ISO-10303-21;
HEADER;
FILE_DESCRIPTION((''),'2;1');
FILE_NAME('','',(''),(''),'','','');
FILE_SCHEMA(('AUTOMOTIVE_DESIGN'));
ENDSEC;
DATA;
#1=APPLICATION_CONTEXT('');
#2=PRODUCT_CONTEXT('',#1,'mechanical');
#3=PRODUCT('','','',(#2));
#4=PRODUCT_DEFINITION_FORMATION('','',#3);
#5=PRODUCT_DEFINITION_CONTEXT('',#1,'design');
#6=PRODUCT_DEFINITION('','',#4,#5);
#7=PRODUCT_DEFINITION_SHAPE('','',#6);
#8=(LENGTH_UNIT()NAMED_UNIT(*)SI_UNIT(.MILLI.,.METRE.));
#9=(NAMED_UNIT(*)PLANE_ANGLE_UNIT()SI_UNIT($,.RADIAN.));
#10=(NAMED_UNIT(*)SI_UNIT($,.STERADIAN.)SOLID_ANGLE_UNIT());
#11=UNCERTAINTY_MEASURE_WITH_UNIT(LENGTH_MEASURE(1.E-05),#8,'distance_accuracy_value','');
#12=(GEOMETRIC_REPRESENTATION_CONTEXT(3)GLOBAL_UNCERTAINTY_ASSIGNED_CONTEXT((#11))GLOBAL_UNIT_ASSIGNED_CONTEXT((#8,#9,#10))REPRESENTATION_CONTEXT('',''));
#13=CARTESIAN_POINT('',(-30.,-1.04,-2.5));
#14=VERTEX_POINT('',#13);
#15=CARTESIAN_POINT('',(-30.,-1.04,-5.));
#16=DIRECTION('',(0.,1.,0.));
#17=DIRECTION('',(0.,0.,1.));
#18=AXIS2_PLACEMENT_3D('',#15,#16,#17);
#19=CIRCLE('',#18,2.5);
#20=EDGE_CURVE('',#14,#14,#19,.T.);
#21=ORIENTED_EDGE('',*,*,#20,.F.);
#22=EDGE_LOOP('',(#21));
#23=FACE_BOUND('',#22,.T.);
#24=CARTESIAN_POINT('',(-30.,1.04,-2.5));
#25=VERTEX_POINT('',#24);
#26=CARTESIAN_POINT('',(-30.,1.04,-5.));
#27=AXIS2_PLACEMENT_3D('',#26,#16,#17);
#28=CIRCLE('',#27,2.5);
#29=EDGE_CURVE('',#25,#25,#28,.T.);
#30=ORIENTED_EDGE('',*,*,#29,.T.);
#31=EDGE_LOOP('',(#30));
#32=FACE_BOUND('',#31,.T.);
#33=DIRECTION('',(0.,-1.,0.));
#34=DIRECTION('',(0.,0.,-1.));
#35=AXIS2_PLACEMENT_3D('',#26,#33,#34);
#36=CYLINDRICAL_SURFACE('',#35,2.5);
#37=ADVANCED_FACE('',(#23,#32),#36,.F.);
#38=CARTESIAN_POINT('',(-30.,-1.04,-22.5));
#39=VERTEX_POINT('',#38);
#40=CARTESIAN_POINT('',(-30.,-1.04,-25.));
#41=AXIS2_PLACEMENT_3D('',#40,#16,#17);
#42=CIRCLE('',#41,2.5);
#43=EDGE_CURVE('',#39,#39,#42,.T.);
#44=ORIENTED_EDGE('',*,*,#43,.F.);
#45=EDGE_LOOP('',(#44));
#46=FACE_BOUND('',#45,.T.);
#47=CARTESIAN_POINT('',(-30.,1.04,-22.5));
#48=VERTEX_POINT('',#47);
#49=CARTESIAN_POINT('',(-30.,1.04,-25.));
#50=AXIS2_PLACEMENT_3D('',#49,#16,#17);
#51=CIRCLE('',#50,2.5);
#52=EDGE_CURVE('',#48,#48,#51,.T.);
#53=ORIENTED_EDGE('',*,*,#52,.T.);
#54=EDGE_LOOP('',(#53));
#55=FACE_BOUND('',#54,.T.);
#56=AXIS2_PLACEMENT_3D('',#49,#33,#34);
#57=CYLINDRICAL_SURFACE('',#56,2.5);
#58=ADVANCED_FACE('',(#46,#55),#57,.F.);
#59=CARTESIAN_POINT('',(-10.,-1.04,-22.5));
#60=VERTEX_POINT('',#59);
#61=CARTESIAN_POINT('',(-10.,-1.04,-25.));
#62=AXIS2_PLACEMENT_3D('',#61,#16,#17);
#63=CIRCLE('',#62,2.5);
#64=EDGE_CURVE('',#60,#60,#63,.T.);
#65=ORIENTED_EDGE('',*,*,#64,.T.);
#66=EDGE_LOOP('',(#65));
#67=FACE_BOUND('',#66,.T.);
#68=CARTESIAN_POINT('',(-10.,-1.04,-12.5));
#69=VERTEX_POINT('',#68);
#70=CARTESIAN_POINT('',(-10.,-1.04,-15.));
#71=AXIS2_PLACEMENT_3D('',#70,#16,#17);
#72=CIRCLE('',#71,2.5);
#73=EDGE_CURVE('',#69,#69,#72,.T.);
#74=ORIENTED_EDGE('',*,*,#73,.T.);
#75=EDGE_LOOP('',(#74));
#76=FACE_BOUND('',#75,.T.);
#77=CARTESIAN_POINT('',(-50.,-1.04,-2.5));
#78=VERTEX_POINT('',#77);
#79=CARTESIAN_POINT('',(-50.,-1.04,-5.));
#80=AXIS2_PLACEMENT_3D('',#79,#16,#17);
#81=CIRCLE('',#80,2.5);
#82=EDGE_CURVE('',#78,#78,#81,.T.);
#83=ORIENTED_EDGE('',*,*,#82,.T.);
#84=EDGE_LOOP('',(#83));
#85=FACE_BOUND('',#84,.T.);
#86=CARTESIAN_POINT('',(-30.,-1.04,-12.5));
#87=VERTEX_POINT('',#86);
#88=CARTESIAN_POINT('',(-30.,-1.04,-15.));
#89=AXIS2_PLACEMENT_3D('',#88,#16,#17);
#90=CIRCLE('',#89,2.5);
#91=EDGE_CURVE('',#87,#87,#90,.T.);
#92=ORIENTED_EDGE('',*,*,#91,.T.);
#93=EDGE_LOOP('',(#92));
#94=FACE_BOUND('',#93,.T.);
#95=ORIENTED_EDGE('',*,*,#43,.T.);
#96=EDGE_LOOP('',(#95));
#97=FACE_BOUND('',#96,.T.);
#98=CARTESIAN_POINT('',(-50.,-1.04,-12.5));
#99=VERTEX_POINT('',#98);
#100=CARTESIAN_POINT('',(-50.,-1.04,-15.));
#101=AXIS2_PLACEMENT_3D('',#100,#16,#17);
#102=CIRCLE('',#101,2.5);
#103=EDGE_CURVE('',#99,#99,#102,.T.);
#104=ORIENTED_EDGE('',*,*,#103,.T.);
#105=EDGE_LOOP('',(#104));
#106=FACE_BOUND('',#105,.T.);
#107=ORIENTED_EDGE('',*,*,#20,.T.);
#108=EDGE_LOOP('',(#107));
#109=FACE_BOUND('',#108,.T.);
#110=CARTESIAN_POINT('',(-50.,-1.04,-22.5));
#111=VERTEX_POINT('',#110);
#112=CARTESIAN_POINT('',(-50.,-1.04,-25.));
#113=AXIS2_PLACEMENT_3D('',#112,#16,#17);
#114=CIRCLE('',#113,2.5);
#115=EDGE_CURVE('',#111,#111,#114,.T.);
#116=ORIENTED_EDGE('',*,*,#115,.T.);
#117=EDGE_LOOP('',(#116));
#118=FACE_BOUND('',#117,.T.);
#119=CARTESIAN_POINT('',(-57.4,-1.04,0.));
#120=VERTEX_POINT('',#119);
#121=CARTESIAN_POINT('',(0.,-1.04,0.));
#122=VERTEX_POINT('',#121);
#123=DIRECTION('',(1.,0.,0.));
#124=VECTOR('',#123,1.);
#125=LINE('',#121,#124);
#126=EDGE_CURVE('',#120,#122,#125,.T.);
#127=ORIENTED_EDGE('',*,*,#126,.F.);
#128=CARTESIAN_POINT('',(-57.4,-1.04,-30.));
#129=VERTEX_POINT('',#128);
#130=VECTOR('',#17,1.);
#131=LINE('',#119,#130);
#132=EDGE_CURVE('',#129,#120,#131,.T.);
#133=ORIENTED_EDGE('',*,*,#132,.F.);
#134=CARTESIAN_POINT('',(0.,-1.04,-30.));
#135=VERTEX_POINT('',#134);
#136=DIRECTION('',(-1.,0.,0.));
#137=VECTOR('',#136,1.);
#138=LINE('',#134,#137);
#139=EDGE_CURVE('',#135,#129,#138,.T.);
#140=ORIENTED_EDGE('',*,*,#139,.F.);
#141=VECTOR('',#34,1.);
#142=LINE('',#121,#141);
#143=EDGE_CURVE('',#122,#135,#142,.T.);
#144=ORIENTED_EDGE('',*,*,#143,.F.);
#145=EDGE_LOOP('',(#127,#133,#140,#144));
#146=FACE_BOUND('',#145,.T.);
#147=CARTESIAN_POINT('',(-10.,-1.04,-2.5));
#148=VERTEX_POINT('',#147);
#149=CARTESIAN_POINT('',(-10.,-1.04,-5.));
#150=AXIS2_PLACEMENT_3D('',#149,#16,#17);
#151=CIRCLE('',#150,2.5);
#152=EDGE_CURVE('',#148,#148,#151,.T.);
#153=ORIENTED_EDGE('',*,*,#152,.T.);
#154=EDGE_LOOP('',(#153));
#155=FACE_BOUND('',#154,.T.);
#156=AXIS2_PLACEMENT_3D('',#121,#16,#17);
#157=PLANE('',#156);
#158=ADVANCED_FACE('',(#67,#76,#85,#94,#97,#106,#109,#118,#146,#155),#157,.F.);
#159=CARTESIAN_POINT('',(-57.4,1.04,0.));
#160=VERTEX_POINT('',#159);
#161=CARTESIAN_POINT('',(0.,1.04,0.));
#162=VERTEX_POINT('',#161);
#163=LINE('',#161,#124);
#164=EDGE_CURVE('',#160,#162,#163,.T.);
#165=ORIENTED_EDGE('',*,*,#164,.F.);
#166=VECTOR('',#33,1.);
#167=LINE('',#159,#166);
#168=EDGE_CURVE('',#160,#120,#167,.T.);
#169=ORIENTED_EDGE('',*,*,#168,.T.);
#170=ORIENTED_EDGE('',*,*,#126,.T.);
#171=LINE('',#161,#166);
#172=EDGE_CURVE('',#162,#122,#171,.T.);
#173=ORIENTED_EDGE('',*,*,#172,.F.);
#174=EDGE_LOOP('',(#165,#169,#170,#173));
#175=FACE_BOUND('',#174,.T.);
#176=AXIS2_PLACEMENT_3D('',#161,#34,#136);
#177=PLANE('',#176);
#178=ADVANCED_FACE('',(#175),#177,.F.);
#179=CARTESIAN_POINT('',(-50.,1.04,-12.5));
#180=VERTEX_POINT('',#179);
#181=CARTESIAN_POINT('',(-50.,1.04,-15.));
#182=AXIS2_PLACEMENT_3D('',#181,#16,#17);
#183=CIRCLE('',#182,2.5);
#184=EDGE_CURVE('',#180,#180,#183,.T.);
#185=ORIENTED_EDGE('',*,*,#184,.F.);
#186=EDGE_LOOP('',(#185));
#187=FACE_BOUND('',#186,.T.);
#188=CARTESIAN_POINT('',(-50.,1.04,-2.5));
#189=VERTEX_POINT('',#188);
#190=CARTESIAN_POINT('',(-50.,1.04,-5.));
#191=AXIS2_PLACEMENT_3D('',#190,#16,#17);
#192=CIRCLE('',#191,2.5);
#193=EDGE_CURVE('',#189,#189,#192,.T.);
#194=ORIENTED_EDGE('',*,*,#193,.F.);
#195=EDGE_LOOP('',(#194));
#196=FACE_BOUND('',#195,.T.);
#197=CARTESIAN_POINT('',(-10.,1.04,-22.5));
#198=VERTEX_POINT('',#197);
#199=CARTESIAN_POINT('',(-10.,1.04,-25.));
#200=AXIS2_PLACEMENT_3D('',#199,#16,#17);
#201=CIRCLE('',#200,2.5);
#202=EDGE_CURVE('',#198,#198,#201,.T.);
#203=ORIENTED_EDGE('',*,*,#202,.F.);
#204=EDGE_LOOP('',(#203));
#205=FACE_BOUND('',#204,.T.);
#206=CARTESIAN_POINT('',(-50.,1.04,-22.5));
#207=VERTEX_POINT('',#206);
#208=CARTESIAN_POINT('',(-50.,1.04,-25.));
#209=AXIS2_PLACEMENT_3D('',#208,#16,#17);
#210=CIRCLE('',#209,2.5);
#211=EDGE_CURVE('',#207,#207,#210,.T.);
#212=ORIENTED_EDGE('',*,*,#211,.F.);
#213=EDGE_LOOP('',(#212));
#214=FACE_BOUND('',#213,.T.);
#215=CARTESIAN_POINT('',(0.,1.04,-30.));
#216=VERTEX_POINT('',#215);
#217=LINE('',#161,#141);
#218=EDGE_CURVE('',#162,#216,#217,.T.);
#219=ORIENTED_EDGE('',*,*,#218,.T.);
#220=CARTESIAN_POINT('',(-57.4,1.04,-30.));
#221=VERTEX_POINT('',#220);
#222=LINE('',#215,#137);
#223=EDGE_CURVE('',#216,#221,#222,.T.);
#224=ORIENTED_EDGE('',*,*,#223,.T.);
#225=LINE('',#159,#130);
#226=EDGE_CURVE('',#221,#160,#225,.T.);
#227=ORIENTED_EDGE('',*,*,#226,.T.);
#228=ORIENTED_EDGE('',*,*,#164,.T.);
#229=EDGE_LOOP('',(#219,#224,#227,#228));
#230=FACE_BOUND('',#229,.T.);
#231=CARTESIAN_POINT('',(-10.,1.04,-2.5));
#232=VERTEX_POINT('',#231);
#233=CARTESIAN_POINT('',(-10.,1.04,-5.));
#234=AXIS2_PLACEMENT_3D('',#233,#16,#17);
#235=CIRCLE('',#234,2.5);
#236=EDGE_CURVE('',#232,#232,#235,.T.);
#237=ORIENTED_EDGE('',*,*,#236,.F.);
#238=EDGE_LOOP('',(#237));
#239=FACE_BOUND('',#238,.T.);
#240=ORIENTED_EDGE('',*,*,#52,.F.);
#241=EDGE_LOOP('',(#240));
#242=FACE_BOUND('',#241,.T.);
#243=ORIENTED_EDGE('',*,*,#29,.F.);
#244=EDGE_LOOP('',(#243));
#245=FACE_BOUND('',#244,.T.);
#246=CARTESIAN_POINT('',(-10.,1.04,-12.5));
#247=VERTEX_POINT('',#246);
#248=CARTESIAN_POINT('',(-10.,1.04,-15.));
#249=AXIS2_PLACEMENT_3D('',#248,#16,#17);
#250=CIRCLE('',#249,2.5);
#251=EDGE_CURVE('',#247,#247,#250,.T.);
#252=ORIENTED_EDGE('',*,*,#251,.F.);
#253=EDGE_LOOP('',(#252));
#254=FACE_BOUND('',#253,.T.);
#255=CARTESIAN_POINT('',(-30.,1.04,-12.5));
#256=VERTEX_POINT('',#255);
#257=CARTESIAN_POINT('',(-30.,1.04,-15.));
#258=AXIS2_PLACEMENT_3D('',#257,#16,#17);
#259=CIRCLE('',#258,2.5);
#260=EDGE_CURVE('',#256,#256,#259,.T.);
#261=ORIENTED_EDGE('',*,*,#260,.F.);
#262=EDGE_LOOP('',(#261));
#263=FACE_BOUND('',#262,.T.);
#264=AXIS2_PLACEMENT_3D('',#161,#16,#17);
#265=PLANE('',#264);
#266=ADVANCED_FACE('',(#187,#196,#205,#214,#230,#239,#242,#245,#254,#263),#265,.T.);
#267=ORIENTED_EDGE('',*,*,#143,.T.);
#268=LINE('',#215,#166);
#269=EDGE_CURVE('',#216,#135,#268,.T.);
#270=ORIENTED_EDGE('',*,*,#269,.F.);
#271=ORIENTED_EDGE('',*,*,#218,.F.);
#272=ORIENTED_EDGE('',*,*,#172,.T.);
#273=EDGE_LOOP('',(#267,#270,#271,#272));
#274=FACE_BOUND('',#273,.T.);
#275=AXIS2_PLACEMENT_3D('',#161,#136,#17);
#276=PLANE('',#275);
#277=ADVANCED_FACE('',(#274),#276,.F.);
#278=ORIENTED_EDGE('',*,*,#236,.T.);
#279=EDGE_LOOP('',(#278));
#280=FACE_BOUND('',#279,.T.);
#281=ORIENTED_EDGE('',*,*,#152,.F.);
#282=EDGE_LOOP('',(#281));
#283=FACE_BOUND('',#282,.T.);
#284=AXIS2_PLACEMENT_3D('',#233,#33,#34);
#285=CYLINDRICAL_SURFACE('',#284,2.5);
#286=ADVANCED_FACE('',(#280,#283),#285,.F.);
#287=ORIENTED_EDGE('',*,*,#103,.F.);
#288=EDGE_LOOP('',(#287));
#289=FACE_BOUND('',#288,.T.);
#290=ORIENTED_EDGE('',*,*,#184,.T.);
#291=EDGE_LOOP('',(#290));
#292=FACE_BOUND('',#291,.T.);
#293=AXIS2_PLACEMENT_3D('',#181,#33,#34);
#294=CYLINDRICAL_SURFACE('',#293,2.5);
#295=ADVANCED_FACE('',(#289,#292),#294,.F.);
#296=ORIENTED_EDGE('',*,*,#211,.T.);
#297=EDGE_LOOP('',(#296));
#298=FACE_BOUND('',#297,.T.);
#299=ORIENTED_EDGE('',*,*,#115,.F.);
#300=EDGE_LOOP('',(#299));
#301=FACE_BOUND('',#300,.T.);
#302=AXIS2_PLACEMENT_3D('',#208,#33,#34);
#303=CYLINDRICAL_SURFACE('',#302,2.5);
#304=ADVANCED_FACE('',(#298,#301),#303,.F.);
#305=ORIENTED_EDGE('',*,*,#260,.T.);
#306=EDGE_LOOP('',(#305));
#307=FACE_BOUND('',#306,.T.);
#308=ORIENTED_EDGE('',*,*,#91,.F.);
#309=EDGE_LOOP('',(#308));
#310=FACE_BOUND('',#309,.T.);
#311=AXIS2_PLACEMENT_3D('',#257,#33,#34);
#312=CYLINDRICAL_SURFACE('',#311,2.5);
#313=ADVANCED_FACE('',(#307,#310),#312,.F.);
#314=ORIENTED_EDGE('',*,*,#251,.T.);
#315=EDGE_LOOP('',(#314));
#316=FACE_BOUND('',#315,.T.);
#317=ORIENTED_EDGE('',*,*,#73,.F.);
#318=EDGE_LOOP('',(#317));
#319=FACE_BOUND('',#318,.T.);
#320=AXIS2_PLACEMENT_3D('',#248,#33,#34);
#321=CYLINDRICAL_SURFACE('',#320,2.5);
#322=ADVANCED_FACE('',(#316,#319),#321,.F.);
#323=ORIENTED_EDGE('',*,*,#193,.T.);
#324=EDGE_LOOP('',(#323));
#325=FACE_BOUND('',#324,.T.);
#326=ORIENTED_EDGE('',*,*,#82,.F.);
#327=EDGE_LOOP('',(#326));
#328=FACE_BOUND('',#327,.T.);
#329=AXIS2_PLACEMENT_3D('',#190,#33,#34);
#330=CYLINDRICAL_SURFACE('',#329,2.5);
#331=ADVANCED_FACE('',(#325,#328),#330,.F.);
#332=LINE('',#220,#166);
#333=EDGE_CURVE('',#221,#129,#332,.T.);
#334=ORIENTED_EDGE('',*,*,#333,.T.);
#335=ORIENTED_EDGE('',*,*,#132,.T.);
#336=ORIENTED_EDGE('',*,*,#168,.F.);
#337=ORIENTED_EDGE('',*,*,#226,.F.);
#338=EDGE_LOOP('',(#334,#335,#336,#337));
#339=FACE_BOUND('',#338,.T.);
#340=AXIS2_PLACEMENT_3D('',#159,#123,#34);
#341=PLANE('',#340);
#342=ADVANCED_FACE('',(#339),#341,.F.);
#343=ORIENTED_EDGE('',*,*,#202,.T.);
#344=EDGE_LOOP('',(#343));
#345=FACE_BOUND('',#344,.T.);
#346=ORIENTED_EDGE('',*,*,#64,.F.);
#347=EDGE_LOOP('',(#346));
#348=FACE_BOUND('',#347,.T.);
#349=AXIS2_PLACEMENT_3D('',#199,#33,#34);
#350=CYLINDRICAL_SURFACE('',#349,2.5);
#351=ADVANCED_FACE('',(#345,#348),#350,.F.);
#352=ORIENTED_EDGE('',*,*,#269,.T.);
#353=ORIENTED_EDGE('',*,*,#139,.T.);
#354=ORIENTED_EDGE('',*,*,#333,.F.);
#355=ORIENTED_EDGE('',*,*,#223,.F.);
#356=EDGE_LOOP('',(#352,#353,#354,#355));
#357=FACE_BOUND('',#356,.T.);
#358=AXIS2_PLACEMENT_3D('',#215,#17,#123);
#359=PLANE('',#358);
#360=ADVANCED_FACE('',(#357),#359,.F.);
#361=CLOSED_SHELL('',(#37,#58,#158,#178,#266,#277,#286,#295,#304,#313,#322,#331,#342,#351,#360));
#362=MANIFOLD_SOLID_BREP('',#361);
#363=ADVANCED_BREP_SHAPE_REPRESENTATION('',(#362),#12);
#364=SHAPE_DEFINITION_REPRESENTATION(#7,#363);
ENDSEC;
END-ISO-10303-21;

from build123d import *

# Parameters (mm, degrees)
SKETCH2_W           = 57.4
SKETCH2_H           = 30
SKETCH2_R           = 2.5
BOSS_EXTRUDE1_DEPTH = 1.04


with BuildPart() as part:
    # Sketch2 → Boss-Extrude1 (new, symmetric)
    with BuildSketch(Plane(origin=(0, 0, 0), x_dir=(1, 0, 0), z_dir=(0, 1, 0))):
        with Locations((-28.7, 15)):
            Rectangle(SKETCH2_W, SKETCH2_H)
        with Locations(Location((-50, 25, 0), (0, 0, 270))):
            Circle(SKETCH2_R, mode=Mode.SUBTRACT)
        with Locations(Location((-50, 15, 0), (0, 0, 270))):
            Circle(SKETCH2_R, mode=Mode.SUBTRACT)
        with Locations(Location((-50, 5, 0), (0, 0, 270))):
            Circle(SKETCH2_R, mode=Mode.SUBTRACT)
        with Locations(Location((-30, 5, 0), (0, 0, 270))):
            Circle(SKETCH2_R, mode=Mode.SUBTRACT)
        with Locations(Location((-30, 15, 0), (0, 0, 270))):
            Circle(SKETCH2_R, mode=Mode.SUBTRACT)
        with Locations(Location((-30, 25, 0), (0, 0, 270))):
            Circle(SKETCH2_R, mode=Mode.SUBTRACT)
        with Locations(Location((-10, 5, 0), (0, 0, 270))):
            Circle(SKETCH2_R, mode=Mode.SUBTRACT)
        with Locations(Location((-10, 15, 0), (0, 0, 270))):
            Circle(SKETCH2_R, mode=Mode.SUBTRACT)
        with Locations(Location((-10, 25, 0), (0, 0, 270))):
            Circle(SKETCH2_R, mode=Mode.SUBTRACT)
    extrude(amount=BOSS_EXTRUDE1_DEPTH, both=True)


solid = part.part
